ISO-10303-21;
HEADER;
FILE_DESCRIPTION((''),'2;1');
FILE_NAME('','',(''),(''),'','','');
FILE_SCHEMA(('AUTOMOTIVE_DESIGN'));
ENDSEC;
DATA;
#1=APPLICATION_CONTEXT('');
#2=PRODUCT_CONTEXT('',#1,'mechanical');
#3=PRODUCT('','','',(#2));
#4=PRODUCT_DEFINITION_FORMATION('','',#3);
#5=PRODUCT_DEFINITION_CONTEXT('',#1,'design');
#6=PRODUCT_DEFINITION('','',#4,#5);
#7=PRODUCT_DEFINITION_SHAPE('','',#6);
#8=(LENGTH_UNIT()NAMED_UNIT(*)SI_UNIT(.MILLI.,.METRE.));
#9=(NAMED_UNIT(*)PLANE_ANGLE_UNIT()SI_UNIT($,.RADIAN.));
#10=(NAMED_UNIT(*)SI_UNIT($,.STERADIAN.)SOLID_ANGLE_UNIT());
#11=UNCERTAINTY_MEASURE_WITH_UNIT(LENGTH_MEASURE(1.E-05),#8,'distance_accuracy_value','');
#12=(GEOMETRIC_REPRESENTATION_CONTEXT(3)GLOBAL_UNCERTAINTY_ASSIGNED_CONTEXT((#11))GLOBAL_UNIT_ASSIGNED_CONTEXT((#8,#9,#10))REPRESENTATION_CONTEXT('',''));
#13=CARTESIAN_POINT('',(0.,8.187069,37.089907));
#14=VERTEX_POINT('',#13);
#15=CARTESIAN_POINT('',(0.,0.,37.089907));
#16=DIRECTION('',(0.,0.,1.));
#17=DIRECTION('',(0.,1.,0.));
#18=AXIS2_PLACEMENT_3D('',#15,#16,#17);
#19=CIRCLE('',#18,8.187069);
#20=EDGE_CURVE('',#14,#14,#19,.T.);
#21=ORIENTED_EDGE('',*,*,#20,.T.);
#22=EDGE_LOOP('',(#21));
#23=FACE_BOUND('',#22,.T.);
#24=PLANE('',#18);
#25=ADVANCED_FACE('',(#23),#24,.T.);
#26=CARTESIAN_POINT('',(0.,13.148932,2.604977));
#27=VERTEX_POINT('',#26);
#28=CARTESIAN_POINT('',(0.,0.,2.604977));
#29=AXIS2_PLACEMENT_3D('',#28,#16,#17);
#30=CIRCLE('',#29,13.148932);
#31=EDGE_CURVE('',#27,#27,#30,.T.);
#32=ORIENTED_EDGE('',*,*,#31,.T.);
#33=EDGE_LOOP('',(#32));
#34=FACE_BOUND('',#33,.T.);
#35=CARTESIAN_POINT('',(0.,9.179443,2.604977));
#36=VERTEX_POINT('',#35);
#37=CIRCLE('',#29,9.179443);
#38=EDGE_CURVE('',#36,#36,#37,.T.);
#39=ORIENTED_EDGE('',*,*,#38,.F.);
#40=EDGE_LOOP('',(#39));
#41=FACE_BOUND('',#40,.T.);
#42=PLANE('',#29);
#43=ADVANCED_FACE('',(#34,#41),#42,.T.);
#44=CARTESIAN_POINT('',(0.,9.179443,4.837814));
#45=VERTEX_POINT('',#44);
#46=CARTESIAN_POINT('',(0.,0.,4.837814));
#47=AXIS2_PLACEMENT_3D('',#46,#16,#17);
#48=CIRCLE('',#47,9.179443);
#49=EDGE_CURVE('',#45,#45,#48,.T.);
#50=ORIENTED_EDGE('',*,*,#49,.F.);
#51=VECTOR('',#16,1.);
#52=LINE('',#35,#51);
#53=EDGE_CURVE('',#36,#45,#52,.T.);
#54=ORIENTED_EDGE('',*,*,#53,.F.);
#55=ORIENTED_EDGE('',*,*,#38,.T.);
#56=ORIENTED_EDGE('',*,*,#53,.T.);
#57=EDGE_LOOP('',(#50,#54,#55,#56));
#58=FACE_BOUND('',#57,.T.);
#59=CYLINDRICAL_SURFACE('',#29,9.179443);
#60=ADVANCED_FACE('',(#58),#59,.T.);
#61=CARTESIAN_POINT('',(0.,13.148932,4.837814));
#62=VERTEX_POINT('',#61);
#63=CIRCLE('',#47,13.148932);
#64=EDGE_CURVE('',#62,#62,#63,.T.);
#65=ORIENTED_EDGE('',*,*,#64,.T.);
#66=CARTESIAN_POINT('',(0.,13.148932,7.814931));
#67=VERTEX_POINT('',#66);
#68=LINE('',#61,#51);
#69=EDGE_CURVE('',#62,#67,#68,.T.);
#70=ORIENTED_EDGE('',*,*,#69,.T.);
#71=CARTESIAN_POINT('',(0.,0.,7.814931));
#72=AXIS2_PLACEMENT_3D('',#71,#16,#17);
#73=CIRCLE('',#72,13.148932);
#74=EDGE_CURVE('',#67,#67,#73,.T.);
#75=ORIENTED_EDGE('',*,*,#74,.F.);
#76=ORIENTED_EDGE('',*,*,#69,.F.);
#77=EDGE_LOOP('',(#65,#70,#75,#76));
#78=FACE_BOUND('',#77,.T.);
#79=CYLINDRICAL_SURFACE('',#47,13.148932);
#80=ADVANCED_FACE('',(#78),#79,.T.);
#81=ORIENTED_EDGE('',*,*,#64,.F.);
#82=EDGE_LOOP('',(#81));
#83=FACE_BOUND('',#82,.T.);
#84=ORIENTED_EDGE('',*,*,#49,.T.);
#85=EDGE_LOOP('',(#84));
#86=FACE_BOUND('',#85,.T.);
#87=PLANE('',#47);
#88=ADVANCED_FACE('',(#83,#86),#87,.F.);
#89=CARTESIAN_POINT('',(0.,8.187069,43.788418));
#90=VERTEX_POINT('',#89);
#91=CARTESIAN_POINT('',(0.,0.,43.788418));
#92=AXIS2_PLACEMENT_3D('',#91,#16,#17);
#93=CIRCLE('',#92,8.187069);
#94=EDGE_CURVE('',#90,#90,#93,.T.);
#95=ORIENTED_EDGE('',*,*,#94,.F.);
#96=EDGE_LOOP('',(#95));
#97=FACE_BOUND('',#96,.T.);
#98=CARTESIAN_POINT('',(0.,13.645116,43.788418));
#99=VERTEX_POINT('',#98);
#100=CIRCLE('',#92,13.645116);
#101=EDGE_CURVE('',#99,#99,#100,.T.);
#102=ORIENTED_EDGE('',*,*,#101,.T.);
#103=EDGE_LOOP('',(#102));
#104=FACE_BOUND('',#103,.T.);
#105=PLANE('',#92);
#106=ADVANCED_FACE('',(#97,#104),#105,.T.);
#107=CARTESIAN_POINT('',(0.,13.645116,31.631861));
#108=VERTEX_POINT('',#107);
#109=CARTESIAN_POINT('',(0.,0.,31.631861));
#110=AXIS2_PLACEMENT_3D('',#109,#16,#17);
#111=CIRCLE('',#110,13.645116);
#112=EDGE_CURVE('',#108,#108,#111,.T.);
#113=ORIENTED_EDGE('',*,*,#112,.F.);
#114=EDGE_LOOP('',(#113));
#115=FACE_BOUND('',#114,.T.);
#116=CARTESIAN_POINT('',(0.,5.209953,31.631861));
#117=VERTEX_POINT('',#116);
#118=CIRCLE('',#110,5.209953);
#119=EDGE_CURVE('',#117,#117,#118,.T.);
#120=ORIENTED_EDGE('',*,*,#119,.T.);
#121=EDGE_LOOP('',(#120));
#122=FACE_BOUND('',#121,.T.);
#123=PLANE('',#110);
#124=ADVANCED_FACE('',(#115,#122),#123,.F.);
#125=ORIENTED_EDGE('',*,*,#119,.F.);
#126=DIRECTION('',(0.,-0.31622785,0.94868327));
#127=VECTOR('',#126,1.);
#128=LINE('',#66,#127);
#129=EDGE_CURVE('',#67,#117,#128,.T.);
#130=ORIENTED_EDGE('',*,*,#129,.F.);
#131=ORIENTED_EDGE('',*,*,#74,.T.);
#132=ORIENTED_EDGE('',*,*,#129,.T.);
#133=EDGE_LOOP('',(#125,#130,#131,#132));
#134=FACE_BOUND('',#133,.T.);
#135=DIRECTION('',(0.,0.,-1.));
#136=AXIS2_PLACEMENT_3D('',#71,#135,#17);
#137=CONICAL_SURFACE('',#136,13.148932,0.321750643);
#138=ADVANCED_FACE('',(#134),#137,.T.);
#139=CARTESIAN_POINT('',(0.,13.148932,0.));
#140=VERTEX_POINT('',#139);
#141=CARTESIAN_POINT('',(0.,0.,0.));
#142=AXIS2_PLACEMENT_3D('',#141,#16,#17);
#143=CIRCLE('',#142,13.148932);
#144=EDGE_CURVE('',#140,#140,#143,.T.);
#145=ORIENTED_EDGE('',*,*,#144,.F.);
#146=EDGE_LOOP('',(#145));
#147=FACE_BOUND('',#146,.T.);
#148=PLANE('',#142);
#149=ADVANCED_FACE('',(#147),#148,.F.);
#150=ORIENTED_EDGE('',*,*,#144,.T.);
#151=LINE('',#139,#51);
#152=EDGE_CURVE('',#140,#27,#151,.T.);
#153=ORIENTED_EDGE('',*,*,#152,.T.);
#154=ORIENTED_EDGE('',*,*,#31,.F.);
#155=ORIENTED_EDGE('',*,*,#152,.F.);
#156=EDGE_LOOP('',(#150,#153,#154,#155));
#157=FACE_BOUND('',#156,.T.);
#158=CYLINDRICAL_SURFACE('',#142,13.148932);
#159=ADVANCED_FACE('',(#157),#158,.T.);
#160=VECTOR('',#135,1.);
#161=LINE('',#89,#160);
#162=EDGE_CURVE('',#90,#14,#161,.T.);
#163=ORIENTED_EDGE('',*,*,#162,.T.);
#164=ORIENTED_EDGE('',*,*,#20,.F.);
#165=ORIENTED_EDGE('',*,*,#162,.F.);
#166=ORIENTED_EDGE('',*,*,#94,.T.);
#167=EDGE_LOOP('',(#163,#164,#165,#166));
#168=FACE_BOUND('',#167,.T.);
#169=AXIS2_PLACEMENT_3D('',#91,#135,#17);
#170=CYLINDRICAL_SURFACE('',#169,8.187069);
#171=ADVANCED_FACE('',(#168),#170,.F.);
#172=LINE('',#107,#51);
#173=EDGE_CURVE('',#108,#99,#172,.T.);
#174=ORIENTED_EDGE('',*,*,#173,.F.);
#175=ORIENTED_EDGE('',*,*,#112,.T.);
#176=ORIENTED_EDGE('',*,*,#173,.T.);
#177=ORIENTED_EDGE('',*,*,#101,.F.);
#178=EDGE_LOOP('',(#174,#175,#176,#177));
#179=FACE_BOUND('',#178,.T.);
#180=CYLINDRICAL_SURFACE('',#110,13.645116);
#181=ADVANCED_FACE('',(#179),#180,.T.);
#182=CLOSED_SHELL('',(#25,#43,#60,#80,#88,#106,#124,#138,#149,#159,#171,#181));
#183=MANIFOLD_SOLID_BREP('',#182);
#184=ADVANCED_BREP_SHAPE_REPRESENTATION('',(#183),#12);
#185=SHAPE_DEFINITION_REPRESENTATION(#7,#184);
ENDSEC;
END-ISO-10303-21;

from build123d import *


with BuildPart() as f1:
    # F0 (on Right) → F1 (revolve)
    with BuildSketch(Plane.YZ):
        Polygon((0, 37.089907), (0, 0), (13.148932, 0), (13.148932, 2.604977), (9.179443, 2.604977), (9.179443, 4.837814), (13.148932, 4.837814), (13.148932, 7.814931), (5.209953, 31.631861), (13.645116, 31.631861), (13.645116, 43.788418), (8.187069, 43.788418), (8.187069, 37.089907), align=None)
    revolve(axis=Axis((0, 0, 18.544953), (0, 0, 1)))


solid = f1.part
